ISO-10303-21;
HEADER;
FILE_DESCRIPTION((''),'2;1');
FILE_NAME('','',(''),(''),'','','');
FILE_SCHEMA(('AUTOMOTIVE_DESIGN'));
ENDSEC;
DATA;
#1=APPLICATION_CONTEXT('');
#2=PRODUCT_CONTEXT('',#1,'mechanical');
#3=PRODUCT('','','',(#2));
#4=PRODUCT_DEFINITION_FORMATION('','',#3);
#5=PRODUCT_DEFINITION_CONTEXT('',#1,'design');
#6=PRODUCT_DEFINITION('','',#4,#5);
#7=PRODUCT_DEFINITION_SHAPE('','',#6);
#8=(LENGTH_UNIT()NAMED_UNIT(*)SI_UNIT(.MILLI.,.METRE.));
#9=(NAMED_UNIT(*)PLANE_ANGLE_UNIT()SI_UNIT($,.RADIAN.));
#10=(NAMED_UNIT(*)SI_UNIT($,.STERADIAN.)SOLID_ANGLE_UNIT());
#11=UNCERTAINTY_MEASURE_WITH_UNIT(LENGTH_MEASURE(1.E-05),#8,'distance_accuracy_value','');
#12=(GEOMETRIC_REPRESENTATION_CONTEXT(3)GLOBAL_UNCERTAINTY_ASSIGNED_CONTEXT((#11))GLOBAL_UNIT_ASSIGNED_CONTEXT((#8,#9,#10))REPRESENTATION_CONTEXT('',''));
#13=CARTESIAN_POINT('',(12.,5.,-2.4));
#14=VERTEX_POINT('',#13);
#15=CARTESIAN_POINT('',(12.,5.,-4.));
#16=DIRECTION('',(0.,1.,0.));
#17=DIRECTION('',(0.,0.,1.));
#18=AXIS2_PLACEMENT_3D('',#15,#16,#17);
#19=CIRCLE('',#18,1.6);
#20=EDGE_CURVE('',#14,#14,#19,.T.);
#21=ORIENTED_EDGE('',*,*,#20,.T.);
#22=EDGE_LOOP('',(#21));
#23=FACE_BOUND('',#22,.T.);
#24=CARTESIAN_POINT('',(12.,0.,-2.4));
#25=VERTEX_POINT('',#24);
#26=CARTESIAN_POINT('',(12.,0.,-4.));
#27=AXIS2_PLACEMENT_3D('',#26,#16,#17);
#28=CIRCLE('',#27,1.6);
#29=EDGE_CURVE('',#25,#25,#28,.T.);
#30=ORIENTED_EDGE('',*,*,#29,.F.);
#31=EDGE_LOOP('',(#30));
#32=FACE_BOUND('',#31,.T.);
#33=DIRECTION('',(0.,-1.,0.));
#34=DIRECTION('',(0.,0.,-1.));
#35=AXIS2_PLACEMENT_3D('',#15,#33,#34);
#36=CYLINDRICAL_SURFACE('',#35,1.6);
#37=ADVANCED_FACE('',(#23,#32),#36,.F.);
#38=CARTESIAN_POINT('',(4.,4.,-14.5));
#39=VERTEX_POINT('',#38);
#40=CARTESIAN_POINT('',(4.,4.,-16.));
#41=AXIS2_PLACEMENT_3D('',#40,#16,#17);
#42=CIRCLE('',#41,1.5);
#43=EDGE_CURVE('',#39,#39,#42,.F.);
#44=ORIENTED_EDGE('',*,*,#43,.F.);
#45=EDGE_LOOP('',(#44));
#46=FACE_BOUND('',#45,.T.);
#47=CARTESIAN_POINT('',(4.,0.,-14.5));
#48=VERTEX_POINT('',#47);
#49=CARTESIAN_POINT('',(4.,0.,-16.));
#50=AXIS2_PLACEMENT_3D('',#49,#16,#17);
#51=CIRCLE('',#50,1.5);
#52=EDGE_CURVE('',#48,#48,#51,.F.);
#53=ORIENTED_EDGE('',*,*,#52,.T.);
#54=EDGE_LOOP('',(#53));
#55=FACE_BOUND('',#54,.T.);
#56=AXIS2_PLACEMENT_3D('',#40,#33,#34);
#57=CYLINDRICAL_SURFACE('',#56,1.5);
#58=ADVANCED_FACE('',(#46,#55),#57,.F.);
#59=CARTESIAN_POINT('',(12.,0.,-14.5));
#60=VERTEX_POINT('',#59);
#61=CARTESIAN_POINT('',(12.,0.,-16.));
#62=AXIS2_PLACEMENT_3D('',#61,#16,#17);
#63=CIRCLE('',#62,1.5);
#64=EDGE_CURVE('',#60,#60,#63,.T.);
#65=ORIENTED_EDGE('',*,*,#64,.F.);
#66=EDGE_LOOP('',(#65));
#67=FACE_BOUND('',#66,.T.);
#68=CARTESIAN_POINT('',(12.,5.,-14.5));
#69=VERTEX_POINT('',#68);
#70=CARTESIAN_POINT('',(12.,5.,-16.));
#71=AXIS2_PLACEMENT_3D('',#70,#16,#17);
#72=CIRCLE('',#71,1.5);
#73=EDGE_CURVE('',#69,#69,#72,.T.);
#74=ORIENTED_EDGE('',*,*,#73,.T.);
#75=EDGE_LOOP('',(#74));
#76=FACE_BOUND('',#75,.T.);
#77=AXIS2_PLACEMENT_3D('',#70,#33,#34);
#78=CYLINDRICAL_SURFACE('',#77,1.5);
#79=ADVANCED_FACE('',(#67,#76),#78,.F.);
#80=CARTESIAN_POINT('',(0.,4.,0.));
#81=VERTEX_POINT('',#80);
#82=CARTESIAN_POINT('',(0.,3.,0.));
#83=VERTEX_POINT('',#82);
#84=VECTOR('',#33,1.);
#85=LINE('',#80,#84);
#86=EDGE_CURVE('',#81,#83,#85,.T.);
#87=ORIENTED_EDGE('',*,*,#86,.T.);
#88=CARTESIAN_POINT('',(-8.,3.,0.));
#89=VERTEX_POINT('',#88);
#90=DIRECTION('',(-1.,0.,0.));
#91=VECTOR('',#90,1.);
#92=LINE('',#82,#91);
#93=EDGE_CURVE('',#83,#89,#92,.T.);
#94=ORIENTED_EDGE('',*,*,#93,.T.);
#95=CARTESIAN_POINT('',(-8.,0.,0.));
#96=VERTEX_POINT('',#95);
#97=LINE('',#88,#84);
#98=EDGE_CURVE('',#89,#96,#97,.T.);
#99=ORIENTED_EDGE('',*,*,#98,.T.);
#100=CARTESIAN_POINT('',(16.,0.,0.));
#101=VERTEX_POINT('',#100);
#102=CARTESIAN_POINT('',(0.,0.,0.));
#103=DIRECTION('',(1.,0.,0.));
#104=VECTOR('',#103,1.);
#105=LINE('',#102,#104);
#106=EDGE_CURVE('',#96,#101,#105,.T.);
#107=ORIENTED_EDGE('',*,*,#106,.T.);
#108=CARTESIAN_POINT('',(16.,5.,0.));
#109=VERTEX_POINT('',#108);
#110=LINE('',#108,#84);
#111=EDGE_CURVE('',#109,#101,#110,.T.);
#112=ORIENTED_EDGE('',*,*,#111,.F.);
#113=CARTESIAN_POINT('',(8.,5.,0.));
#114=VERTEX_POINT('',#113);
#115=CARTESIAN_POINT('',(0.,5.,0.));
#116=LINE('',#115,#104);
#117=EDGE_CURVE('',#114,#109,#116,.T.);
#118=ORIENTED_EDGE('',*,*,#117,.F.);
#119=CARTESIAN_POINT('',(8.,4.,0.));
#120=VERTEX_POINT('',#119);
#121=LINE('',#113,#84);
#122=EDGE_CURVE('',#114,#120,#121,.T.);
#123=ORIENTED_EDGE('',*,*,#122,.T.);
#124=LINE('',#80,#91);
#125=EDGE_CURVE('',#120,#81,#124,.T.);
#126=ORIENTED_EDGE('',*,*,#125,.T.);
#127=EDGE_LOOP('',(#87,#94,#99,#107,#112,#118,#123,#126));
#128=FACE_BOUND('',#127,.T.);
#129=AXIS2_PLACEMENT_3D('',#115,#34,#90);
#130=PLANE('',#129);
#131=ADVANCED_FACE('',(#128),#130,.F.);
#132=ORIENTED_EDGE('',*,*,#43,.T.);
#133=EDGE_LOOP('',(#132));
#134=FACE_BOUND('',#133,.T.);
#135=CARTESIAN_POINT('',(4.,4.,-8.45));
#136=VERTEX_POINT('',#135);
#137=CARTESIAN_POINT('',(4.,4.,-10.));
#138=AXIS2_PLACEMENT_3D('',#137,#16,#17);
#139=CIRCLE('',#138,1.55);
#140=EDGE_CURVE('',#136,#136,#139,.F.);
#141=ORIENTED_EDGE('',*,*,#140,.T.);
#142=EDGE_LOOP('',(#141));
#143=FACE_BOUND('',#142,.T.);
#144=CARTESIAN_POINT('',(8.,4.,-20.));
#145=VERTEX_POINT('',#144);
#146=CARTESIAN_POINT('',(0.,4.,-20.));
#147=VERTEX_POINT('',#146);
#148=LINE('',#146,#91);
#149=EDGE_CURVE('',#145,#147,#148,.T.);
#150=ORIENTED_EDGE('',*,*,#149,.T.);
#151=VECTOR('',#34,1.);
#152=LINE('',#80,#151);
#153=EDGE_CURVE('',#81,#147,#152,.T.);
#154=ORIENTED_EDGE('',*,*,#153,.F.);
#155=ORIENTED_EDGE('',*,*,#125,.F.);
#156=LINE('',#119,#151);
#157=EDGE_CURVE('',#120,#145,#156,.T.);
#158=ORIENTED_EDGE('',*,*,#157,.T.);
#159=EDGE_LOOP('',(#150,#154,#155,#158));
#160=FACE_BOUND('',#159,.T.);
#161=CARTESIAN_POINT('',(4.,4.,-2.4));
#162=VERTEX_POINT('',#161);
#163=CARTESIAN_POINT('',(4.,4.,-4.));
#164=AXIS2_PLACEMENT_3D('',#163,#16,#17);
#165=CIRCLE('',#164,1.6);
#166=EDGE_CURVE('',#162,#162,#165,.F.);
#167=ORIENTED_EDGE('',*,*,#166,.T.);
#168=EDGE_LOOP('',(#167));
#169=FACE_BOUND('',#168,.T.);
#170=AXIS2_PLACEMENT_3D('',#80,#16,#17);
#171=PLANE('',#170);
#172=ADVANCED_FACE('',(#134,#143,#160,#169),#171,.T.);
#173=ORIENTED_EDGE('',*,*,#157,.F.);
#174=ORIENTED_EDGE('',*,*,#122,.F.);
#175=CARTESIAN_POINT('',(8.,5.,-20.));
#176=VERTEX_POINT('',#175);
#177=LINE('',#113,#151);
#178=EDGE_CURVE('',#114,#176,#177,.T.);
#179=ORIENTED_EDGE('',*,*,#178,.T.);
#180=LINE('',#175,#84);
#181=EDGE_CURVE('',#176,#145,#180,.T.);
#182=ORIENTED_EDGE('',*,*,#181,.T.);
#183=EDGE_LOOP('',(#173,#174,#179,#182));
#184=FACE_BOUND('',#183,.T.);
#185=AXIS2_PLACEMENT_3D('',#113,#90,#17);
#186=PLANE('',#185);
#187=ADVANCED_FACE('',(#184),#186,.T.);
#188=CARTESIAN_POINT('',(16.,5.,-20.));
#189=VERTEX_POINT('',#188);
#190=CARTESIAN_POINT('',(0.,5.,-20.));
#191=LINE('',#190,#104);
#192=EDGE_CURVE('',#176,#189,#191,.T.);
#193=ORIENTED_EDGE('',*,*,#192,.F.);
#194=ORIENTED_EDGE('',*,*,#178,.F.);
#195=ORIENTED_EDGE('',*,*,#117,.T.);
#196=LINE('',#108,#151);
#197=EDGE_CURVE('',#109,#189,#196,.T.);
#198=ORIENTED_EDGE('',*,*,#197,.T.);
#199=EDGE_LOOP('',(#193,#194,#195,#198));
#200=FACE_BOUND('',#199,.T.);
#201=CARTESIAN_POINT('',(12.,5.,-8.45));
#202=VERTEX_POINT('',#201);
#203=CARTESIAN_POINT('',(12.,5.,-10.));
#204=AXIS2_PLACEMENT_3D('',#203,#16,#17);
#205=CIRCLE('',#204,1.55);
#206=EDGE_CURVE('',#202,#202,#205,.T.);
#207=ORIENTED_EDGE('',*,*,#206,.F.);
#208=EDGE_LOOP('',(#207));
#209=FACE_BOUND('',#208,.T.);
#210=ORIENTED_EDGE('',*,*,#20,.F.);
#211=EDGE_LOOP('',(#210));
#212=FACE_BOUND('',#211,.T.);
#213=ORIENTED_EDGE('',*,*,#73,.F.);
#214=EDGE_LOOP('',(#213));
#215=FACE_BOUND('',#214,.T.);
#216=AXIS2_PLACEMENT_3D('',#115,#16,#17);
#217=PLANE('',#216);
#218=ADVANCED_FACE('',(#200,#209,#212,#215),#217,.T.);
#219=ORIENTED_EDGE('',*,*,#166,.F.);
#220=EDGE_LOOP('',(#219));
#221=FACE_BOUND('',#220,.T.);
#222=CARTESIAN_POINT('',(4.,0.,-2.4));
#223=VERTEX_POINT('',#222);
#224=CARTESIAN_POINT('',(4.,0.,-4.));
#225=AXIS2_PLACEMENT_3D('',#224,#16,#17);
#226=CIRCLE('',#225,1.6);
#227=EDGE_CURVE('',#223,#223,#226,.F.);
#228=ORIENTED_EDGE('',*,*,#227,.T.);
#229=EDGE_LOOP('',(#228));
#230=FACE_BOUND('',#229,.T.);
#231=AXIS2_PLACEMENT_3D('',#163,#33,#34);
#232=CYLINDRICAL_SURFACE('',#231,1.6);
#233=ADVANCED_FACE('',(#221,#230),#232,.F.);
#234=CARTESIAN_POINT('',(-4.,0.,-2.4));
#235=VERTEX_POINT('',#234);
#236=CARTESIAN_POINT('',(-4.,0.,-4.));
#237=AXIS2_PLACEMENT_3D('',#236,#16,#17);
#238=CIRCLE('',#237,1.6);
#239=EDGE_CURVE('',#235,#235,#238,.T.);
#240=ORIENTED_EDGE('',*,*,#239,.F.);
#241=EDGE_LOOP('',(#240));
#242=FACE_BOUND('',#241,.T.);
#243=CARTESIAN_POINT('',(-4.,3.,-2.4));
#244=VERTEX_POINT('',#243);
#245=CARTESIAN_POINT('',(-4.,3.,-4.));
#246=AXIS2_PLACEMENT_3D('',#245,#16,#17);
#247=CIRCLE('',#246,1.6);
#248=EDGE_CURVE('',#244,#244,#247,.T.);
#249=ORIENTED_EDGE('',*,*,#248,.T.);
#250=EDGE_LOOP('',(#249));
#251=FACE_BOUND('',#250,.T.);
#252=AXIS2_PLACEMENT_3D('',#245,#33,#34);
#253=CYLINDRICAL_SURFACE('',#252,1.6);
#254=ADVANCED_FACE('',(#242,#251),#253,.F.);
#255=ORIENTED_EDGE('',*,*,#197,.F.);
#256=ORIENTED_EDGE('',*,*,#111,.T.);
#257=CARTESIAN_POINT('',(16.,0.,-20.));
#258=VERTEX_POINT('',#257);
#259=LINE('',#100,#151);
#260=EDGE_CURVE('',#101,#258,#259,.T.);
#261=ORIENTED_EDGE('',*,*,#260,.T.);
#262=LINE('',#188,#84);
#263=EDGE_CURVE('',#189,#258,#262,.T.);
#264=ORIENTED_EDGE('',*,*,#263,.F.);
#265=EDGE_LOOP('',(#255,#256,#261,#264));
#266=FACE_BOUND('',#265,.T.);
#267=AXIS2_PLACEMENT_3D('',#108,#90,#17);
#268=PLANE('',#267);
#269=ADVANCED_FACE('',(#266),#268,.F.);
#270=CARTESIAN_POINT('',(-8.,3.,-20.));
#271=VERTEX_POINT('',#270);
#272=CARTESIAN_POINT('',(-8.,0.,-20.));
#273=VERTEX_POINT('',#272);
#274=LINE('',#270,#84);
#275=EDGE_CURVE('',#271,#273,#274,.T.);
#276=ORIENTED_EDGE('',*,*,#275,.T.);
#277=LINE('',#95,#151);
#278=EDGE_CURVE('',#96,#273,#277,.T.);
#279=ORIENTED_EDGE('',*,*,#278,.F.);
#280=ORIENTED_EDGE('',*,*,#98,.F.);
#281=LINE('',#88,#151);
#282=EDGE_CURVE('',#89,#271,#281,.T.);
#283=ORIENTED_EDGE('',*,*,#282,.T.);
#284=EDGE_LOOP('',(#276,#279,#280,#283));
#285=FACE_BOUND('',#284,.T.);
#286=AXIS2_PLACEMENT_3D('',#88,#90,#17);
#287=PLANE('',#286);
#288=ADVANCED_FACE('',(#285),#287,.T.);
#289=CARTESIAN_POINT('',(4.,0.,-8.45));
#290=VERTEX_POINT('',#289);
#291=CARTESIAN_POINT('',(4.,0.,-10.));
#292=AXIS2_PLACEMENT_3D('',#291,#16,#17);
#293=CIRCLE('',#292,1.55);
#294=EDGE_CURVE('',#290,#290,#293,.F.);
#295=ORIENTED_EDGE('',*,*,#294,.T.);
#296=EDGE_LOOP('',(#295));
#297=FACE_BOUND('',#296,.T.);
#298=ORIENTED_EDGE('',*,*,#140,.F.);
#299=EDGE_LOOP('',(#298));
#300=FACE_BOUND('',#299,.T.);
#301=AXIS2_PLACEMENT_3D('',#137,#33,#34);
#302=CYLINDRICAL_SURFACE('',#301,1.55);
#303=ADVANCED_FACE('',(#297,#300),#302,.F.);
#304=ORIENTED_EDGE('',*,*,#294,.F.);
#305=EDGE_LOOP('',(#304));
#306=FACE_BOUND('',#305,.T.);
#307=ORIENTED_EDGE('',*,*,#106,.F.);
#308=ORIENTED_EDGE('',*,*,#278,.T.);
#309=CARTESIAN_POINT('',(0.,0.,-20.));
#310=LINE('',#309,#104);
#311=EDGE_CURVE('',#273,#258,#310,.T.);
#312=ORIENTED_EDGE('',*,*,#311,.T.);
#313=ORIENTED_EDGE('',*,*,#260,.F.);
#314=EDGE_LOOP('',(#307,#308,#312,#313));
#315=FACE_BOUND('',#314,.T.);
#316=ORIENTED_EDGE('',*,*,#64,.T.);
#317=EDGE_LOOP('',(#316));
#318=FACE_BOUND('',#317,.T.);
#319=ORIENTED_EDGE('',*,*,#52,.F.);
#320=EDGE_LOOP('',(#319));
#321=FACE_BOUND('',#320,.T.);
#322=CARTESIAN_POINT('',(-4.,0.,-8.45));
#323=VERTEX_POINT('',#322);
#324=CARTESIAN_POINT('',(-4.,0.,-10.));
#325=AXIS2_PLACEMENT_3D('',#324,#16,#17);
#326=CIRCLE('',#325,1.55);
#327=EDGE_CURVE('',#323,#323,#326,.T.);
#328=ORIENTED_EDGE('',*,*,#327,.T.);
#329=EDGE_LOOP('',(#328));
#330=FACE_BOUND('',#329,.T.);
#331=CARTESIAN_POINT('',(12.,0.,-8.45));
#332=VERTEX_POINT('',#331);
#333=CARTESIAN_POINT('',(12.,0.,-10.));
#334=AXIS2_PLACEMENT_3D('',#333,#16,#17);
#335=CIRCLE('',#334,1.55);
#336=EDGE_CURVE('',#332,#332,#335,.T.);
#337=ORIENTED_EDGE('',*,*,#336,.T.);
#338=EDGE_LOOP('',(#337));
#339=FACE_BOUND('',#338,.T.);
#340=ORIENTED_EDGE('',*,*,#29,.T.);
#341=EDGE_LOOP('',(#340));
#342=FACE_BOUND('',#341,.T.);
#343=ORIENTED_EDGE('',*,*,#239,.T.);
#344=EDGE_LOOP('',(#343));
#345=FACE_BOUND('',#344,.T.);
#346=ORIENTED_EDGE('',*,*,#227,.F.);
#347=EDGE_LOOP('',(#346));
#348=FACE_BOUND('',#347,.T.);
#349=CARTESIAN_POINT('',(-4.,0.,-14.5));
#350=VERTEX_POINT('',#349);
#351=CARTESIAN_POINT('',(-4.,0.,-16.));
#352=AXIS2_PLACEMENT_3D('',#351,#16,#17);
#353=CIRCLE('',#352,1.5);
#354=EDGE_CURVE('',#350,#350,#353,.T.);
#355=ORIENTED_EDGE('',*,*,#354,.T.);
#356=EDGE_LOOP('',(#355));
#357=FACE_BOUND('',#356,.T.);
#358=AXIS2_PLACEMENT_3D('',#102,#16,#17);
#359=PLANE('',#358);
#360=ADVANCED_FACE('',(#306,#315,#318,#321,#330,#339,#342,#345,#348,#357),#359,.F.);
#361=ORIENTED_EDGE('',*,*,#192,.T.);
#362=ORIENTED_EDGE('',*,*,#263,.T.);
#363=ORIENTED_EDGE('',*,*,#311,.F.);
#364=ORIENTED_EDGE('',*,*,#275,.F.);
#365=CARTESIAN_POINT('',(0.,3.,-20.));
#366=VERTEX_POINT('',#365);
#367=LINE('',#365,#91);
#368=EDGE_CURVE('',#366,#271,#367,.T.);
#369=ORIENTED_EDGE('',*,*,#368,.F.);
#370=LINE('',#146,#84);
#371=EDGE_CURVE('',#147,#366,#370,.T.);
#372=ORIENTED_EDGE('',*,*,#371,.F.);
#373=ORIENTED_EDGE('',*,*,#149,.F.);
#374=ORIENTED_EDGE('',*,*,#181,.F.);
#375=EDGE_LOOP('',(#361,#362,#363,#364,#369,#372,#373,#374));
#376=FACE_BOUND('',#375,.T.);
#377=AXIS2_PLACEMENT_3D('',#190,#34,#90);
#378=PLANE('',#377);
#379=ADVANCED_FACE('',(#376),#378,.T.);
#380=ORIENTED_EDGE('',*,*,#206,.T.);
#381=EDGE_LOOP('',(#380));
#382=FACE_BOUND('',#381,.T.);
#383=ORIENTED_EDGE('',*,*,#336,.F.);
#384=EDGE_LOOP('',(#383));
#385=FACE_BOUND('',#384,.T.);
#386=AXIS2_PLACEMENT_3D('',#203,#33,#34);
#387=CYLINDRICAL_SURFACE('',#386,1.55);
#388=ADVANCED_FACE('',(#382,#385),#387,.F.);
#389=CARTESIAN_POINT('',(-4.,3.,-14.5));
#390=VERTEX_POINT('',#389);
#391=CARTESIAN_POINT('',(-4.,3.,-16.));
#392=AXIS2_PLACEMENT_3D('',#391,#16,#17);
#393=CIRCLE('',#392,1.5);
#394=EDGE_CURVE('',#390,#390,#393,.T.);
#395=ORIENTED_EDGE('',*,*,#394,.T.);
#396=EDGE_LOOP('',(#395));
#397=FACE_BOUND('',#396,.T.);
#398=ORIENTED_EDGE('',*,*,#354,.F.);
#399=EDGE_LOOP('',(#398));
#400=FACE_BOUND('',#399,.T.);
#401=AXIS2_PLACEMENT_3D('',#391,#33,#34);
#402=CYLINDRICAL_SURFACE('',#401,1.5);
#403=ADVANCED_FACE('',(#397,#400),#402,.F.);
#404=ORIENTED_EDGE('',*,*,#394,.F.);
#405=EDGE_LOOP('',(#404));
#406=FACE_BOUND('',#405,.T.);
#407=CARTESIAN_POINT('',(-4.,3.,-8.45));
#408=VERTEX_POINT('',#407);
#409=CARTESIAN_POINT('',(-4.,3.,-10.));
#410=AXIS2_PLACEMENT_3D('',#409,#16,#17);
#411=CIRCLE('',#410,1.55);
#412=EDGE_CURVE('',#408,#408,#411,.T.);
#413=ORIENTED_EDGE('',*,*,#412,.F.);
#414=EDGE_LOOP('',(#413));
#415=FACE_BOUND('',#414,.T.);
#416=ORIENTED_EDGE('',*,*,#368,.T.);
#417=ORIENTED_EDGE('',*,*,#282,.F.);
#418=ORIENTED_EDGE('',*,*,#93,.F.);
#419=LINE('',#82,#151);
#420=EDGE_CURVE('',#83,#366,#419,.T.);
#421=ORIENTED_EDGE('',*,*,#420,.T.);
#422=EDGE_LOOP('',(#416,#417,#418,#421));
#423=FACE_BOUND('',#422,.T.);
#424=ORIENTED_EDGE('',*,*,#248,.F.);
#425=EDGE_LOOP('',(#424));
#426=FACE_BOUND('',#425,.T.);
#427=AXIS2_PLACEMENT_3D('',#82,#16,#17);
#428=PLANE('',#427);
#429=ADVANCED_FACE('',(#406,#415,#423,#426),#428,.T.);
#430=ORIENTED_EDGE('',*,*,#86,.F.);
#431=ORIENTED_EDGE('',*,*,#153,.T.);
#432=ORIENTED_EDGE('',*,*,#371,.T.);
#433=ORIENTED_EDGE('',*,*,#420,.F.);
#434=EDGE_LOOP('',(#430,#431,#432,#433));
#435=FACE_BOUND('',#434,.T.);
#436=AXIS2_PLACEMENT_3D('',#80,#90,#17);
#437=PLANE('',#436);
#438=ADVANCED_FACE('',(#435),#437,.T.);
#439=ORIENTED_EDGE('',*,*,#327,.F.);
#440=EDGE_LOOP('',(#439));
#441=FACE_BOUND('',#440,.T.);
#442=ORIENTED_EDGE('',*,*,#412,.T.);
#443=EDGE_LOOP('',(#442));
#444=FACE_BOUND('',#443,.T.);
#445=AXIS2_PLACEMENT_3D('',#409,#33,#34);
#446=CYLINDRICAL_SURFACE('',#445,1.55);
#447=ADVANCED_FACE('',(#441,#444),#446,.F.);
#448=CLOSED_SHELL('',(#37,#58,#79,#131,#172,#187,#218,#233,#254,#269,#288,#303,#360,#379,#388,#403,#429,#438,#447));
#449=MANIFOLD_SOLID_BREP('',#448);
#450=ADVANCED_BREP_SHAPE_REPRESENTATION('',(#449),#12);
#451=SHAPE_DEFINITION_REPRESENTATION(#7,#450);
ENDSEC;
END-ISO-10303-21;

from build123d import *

# Parameters (mm, degrees)
SKETCH1_W           = 8
SKETCH1_H           = 20
SKETCH1_R           = 1.6
SKETCH1_R_2         = 1.55
SKETCH1_R_3         = 1.5
BOSS_EXTRUDE7_DEPTH = 5
SKETCH1_8_W         = 8
SKETCH1_8_H         = 20
SKETCH1_8_R         = 1.6
SKETCH1_8_R_2       = 1.55
SKETCH1_8_R_3       = 1.5
BOSS_EXTRUDE8_DEPTH = 4
SKETCH1_9_W         = 8
SKETCH1_9_H         = 20
SKETCH1_9_R         = 1.6
SKETCH1_9_R_2       = 1.55
SKETCH1_9_R_3       = 1.5
BOSS_EXTRUDE9_DEPTH = 3


with BuildPart() as part:
    # Sketch1 → Boss-Extrude7 (new body)
    with BuildSketch(Plane(origin=(0, 0, 0), x_dir=(1, 0, 0), z_dir=(0, 1, 0))):
        with Locations((12, 10)):
            Rectangle(SKETCH1_W, SKETCH1_H)
        with Locations((12, 4)):
            Circle(SKETCH1_R, mode=Mode.SUBTRACT)
        with Locations((12, 10)):
            Circle(SKETCH1_R_2, mode=Mode.SUBTRACT)
        with Locations((12, 16)):
            Circle(SKETCH1_R_3, mode=Mode.SUBTRACT)
    extrude(amount=BOSS_EXTRUDE7_DEPTH)

    # Sketch1<8> → Boss-Extrude8 (add)
    with BuildSketch(Plane(origin=(0, 0, 0), x_dir=(1, 0, 0), z_dir=(0, 1, 0))):
        with Locations((4, 10)):
            Rectangle(SKETCH1_8_W, SKETCH1_8_H)
        with Locations((4, 4)):
            Circle(SKETCH1_8_R, mode=Mode.SUBTRACT)
        with Locations((4, 10)):
            Circle(SKETCH1_8_R_2, mode=Mode.SUBTRACT)
        with Locations((4, 16)):
            Circle(SKETCH1_8_R_3, mode=Mode.SUBTRACT)
    extrude(amount=BOSS_EXTRUDE8_DEPTH)

    # Sketch1<9> → Boss-Extrude9 (add)
    with BuildSketch(Plane(origin=(0, 0, 0), x_dir=(1, 0, 0), z_dir=(0, 1, 0))):
        with Locations((-4, 10)):
            Rectangle(SKETCH1_9_W, SKETCH1_9_H)
        with Locations((-4, 4)):
            Circle(SKETCH1_9_R, mode=Mode.SUBTRACT)
        with Locations((-4, 10)):
            Circle(SKETCH1_9_R_2, mode=Mode.SUBTRACT)
        with Locations((-4, 16)):
            Circle(SKETCH1_9_R_3, mode=Mode.SUBTRACT)
    extrude(amount=BOSS_EXTRUDE9_DEPTH)


solid = part.part
